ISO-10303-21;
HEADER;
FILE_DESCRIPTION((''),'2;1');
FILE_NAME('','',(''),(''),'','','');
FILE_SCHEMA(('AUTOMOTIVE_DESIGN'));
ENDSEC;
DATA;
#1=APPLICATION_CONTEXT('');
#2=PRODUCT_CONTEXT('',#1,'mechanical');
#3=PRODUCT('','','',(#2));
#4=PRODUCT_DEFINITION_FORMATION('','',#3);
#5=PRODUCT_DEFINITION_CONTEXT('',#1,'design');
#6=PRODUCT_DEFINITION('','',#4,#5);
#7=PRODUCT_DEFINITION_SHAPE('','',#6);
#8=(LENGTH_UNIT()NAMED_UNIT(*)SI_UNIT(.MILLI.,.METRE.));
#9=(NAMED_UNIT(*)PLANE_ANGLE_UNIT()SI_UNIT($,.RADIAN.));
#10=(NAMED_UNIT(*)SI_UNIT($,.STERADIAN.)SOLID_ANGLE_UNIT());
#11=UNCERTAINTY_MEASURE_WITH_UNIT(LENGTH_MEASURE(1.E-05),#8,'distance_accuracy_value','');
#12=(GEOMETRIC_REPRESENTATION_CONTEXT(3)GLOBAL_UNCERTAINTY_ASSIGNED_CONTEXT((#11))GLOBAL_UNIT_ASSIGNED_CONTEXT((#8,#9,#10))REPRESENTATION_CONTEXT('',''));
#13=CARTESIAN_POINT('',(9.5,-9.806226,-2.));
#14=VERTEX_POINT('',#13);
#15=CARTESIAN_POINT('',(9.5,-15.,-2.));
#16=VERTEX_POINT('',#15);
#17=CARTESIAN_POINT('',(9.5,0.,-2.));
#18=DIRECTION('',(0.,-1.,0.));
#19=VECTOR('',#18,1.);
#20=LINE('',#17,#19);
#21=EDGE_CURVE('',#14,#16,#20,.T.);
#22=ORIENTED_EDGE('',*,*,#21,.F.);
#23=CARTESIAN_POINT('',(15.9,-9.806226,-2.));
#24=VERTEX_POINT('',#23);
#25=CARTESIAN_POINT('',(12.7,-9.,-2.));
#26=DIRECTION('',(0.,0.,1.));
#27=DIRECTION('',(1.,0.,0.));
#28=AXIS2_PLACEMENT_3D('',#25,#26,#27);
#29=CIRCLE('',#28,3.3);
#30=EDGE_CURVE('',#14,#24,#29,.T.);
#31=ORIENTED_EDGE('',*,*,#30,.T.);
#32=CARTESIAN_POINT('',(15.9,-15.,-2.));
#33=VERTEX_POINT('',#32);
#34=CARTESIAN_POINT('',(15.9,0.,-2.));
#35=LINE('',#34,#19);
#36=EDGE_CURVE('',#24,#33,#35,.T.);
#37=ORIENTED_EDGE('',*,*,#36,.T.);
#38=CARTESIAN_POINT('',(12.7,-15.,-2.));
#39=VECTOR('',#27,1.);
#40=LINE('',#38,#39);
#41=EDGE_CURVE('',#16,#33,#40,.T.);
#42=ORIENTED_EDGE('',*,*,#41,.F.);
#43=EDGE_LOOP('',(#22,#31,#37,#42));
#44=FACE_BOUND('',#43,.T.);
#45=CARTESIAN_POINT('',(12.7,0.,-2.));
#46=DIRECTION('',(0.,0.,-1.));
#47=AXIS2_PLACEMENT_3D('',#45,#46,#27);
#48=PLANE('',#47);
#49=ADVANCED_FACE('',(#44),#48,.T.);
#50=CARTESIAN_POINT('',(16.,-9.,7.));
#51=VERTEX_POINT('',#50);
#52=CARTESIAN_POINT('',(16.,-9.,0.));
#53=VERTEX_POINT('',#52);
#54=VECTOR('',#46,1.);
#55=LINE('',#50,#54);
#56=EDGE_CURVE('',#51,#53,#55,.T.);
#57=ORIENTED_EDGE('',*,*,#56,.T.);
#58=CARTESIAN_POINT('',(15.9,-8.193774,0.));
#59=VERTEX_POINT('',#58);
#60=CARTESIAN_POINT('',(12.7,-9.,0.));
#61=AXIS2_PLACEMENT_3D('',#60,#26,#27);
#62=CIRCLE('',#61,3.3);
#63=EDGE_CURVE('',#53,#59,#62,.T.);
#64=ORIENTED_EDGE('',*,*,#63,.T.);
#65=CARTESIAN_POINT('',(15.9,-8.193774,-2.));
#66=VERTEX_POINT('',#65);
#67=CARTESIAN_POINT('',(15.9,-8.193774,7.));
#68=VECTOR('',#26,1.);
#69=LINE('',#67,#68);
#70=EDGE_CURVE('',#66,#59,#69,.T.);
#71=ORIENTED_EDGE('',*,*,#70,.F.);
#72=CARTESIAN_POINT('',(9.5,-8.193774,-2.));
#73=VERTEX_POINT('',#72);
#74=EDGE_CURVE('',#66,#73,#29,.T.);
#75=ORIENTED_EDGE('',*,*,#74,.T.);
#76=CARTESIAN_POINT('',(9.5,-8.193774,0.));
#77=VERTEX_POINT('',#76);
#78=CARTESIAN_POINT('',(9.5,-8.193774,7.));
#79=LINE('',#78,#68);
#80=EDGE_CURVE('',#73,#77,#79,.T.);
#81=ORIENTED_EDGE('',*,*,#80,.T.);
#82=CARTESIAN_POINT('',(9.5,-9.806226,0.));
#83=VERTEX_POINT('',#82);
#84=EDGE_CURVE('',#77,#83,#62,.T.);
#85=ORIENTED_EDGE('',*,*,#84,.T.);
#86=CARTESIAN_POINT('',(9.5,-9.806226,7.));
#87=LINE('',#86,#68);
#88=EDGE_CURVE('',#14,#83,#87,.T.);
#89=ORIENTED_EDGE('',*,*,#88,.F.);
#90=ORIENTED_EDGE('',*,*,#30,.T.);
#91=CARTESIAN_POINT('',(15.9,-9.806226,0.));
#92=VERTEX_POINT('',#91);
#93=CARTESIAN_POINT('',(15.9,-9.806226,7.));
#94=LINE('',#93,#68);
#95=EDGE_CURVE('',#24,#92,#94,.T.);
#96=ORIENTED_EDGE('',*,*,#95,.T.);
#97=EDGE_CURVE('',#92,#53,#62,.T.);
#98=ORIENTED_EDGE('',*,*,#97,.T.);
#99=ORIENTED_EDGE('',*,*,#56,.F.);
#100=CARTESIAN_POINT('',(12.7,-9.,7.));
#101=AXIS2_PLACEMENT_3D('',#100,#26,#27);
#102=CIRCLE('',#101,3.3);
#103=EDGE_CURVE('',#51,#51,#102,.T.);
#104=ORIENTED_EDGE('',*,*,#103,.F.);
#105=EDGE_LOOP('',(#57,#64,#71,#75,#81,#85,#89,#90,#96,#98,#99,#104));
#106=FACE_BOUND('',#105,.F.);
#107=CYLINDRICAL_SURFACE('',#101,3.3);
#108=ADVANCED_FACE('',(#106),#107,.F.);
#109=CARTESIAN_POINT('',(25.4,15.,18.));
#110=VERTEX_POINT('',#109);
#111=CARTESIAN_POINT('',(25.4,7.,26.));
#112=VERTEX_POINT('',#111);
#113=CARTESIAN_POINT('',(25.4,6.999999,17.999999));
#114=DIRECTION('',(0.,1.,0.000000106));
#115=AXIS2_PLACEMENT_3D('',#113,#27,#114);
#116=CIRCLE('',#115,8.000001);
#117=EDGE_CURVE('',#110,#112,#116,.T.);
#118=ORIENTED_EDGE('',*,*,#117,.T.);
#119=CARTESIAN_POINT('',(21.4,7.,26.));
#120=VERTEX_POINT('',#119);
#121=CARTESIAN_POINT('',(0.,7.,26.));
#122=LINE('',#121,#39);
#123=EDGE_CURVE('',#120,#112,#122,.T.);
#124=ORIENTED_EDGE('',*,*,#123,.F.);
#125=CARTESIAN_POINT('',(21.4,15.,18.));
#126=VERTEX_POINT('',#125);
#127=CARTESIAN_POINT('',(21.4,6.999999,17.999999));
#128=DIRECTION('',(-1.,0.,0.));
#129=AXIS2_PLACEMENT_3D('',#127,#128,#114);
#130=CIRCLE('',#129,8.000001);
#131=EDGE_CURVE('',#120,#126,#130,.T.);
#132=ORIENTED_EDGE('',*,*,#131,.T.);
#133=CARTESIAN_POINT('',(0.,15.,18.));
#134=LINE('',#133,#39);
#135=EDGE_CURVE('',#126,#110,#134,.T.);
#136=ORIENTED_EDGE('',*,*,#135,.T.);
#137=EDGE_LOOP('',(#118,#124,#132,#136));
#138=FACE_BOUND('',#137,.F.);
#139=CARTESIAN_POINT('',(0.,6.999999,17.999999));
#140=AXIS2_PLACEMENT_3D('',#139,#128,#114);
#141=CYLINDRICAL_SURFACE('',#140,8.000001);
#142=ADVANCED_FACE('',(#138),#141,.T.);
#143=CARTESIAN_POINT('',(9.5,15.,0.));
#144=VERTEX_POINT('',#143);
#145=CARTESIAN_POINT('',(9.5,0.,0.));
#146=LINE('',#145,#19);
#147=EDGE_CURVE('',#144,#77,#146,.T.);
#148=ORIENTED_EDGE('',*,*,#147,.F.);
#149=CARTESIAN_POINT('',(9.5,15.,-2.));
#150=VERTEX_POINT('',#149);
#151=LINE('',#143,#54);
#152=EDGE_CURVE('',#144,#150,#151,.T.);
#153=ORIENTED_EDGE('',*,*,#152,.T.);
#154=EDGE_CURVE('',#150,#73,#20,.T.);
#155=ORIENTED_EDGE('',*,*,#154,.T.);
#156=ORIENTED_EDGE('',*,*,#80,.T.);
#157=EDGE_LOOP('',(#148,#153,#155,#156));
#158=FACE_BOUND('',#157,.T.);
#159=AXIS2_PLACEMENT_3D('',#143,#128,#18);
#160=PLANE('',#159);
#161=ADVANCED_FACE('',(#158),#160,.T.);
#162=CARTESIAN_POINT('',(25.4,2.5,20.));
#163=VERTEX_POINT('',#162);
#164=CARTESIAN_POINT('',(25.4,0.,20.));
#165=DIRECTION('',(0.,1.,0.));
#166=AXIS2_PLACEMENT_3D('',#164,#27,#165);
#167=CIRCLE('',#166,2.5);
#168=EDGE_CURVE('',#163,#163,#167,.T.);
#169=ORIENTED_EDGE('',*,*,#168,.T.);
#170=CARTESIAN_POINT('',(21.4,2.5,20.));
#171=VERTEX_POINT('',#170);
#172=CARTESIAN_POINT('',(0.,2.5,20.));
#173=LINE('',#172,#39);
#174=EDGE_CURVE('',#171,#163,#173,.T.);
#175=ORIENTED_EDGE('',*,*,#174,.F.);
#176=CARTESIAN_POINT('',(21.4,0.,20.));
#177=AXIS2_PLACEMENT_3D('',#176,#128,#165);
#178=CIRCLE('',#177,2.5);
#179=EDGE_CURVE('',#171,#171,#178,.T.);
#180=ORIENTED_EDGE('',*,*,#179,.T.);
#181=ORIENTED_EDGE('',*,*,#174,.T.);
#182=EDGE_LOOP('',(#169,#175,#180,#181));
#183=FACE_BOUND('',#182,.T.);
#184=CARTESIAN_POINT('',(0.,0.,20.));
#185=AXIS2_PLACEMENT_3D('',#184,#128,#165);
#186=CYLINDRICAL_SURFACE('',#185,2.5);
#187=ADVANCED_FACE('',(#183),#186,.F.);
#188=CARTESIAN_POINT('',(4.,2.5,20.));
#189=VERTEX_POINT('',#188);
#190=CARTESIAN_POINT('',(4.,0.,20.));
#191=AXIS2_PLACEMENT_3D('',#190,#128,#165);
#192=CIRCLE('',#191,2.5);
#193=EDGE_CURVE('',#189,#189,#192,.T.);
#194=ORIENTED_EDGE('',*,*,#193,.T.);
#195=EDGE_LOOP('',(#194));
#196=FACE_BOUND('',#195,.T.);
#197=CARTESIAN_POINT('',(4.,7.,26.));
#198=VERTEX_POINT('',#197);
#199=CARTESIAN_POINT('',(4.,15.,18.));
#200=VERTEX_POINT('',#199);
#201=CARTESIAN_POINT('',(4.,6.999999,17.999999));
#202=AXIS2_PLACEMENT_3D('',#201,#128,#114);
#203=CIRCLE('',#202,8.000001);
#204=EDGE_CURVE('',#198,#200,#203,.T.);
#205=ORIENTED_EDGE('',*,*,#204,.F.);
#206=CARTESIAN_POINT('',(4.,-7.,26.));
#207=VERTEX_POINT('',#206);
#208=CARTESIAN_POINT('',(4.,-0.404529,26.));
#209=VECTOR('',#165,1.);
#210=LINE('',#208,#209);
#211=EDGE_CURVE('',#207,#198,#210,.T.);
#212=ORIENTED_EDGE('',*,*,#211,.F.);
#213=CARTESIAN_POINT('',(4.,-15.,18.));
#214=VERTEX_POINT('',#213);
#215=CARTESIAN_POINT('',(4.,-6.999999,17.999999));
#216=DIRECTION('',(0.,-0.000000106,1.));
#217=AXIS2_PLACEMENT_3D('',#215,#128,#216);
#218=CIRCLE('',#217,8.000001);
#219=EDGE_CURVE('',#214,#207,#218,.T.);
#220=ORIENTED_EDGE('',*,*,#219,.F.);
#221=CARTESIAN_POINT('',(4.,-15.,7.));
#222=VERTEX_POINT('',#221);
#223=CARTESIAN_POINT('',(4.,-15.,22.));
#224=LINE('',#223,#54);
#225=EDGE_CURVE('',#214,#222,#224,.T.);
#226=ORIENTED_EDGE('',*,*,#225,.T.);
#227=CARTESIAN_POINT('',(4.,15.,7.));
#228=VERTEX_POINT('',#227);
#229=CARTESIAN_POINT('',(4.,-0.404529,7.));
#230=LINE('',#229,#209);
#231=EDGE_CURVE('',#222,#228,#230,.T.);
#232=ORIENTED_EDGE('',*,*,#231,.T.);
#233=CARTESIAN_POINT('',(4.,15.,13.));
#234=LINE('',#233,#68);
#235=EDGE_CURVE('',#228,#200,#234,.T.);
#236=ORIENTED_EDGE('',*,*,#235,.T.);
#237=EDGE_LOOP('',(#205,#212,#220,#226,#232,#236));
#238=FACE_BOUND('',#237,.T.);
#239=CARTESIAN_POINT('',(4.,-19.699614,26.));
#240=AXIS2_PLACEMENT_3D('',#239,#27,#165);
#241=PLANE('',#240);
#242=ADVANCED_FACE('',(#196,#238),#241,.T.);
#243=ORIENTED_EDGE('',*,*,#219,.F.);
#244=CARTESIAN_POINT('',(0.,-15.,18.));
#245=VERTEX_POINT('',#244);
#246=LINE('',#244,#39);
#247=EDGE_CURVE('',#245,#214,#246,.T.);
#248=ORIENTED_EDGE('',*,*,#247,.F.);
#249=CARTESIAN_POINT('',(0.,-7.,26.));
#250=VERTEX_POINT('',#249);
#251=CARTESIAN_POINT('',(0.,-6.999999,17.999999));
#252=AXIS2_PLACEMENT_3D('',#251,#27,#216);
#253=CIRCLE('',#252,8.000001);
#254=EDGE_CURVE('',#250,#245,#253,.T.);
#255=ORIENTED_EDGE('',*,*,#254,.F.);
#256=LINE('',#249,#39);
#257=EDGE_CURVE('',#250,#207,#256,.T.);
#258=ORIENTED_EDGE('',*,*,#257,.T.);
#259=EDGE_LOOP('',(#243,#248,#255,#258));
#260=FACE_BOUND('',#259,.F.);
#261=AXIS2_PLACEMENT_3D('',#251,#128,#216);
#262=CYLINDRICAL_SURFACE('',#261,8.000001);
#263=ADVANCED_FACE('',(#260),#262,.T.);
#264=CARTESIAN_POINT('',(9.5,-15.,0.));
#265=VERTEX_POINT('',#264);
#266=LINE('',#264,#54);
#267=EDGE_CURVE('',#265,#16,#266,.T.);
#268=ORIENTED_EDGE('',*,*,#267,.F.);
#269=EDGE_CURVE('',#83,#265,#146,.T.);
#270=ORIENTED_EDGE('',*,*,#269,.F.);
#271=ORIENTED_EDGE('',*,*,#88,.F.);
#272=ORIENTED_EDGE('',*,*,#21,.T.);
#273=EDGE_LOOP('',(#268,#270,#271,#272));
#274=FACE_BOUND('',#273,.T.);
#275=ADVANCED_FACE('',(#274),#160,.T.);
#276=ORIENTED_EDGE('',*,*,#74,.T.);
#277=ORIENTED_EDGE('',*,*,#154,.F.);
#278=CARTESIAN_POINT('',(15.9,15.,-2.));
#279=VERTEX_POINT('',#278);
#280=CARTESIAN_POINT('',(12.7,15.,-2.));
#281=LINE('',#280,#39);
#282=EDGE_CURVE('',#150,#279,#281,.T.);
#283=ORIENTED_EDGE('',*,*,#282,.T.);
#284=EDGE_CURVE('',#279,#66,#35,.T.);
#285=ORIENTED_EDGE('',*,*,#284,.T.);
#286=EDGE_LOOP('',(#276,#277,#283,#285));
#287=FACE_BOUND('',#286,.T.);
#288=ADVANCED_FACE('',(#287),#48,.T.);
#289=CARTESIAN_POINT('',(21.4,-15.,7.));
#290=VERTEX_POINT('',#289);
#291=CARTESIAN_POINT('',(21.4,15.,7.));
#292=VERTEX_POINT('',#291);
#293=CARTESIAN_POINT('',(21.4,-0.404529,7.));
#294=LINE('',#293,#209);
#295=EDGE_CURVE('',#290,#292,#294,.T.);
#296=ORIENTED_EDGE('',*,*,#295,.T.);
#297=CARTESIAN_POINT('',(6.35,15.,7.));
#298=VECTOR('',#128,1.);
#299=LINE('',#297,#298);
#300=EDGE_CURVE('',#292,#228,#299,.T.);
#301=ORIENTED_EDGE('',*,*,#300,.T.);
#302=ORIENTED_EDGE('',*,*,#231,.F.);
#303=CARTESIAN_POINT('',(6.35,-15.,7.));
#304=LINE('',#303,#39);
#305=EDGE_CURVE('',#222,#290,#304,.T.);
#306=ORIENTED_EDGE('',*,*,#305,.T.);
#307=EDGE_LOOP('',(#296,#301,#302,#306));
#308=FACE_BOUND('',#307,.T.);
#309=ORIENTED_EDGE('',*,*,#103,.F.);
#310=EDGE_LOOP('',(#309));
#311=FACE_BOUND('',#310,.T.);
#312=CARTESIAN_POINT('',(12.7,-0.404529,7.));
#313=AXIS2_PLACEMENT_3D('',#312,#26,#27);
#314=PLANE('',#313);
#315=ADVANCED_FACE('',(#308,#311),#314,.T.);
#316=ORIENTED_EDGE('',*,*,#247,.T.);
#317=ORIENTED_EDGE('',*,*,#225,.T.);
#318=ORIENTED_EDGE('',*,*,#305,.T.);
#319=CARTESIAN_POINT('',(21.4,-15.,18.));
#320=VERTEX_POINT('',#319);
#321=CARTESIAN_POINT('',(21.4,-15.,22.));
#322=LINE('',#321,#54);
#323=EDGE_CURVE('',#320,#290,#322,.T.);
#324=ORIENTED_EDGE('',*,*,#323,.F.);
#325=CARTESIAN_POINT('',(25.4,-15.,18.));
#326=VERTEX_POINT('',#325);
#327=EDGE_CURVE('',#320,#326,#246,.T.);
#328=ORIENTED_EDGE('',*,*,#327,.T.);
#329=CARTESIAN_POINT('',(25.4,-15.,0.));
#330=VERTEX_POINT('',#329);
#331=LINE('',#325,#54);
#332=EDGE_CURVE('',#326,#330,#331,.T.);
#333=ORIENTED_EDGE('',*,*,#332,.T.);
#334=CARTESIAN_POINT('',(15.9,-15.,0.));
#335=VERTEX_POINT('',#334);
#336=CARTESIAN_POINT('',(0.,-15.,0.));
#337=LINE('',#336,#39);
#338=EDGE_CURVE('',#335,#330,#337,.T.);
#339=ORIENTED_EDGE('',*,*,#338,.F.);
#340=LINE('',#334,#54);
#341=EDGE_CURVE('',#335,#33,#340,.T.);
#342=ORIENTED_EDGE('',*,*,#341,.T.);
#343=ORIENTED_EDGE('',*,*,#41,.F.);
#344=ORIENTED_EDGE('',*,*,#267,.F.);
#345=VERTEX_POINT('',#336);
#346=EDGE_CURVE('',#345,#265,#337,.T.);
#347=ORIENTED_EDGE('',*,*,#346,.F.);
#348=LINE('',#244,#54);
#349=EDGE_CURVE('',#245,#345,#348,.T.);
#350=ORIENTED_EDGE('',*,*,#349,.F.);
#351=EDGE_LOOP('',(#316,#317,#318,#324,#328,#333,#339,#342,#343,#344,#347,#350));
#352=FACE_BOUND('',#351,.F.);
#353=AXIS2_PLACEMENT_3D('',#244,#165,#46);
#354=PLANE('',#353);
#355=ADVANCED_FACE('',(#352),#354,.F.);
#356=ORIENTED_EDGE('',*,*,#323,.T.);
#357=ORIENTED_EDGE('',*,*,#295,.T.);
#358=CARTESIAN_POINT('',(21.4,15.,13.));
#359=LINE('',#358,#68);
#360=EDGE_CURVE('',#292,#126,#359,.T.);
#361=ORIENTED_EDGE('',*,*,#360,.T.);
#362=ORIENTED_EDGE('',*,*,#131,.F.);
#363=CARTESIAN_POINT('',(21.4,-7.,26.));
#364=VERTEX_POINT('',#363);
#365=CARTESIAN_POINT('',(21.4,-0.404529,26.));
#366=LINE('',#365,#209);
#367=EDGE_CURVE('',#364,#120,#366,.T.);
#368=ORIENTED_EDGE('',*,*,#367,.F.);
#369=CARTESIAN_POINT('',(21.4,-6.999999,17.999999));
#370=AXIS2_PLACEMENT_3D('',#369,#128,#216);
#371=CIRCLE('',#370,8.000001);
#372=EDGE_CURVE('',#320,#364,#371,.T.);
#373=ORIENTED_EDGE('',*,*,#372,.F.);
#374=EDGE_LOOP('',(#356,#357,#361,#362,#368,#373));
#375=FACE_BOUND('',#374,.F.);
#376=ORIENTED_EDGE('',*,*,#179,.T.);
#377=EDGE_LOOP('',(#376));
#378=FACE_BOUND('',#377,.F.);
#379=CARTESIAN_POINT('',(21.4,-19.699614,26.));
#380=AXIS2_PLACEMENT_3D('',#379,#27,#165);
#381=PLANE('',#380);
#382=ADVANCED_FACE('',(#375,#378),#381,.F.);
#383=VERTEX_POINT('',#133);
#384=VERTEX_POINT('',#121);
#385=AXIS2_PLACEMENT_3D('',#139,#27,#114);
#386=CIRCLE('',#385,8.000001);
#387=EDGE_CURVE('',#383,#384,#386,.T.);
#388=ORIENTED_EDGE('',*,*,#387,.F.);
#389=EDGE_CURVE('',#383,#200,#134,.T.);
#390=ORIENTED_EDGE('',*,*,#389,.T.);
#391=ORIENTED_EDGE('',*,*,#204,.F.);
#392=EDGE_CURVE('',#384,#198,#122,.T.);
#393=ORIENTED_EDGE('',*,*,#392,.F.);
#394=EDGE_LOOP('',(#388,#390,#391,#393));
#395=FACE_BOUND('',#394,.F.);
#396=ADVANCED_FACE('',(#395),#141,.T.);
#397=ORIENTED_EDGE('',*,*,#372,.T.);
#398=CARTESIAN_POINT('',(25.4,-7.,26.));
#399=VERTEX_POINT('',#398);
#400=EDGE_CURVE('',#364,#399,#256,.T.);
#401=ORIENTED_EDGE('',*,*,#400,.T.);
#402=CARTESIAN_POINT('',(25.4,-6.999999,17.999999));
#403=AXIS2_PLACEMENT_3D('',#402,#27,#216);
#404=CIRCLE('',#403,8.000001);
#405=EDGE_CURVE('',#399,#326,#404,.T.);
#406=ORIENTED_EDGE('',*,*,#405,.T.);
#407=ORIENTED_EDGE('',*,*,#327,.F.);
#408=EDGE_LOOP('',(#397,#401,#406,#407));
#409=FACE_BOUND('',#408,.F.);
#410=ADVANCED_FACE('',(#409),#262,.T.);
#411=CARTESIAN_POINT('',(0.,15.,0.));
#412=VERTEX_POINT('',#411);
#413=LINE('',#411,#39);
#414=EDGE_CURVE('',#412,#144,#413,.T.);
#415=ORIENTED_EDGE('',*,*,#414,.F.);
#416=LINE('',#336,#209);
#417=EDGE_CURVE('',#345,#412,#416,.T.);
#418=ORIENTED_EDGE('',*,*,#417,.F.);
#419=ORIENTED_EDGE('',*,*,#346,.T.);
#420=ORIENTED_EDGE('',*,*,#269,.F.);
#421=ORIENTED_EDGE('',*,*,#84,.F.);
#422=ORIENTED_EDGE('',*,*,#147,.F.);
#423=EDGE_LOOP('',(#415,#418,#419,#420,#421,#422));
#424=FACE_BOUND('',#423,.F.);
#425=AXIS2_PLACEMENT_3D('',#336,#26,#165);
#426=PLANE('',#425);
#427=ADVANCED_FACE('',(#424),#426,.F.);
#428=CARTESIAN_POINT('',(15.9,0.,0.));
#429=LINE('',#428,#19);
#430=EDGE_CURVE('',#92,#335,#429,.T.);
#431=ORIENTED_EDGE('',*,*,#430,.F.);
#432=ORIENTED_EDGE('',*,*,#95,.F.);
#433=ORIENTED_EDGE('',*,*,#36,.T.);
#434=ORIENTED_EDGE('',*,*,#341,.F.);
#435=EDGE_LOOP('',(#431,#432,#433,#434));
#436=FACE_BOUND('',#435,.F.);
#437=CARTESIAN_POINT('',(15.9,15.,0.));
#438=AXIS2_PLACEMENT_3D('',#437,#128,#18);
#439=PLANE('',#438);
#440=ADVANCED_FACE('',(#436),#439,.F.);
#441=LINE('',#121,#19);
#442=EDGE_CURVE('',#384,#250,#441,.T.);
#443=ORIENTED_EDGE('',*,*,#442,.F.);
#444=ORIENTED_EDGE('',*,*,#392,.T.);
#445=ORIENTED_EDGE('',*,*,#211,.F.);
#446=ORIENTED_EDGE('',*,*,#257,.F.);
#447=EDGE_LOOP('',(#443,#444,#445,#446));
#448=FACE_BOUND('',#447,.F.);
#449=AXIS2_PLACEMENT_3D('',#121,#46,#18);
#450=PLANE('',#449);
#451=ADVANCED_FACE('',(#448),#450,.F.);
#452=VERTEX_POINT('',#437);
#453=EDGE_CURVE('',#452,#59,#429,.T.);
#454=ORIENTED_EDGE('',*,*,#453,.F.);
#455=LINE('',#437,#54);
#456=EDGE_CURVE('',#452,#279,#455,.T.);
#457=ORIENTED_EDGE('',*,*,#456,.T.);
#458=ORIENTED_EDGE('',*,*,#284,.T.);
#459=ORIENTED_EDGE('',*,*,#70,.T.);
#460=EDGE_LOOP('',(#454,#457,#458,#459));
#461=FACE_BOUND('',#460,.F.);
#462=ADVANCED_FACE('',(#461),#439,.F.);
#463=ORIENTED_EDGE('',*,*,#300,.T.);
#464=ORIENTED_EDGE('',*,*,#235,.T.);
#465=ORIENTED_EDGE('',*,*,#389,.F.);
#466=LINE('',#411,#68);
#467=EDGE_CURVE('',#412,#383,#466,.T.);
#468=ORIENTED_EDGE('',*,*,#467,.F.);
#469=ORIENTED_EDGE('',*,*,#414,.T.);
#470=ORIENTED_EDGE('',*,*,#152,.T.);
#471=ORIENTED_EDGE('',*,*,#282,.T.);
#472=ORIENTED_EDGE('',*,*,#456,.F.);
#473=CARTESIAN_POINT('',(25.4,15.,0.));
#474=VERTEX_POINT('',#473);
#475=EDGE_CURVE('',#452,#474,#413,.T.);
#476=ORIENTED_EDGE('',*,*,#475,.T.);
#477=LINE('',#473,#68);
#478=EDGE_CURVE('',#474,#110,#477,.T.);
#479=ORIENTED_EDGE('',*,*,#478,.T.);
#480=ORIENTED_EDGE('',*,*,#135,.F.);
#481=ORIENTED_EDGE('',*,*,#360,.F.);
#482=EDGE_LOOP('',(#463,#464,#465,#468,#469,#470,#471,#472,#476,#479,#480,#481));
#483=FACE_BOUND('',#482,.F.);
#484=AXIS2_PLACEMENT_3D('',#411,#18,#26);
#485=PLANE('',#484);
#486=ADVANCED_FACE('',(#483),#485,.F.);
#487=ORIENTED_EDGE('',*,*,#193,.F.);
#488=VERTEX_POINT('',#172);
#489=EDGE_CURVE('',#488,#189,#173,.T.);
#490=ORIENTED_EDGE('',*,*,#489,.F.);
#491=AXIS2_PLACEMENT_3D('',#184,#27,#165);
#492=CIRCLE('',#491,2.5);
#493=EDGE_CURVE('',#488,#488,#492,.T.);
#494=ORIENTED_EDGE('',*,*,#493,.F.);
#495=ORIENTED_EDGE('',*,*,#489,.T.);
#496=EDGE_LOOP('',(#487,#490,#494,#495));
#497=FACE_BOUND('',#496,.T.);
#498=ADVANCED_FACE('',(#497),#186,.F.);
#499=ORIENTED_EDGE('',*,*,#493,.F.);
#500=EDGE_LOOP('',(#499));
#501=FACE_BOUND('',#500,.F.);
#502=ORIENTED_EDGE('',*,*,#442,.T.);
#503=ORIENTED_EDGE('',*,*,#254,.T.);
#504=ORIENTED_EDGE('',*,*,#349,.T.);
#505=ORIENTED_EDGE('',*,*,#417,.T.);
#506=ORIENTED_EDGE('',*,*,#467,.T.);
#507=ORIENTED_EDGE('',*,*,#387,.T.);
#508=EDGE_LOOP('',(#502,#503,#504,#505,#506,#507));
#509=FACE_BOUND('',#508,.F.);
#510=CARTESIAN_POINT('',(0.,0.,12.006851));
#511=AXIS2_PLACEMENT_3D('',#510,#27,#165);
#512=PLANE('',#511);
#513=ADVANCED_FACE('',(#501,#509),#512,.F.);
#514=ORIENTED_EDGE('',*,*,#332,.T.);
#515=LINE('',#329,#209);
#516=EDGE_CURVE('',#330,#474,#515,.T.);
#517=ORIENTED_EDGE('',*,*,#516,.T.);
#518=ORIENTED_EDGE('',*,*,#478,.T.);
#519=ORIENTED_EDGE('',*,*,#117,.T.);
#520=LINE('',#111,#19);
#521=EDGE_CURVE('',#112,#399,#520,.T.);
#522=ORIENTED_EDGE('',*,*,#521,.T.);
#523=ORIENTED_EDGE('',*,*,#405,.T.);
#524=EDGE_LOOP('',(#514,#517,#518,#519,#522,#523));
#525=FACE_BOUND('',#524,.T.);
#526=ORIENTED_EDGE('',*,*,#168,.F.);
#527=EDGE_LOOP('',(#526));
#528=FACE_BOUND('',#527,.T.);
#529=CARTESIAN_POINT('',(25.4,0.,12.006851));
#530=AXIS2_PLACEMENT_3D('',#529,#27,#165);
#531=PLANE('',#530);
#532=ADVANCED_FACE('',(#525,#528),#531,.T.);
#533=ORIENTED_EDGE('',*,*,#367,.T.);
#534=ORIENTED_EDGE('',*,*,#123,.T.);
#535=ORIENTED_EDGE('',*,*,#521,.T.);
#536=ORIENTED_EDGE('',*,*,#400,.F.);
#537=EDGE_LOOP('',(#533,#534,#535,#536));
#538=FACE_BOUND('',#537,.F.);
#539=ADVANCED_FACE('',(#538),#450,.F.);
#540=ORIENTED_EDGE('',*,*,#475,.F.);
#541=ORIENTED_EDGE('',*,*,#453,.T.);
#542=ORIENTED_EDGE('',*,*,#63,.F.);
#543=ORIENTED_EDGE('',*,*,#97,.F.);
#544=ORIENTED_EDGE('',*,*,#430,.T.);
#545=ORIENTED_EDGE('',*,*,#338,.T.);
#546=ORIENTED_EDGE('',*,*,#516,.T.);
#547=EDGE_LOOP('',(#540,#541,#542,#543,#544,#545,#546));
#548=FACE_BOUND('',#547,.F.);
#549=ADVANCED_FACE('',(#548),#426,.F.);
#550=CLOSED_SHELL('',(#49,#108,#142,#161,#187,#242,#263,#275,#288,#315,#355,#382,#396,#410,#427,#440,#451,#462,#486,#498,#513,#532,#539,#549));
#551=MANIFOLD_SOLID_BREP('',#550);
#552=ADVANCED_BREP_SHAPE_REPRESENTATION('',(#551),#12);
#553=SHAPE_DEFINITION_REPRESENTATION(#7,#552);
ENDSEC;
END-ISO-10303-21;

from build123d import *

# Parameters (mm, degrees)
F0_R     = 2.5
F1_DEPTH = 25.4
F2_W     = 17.4
F2_H     = 38.590171
F3_DEPTH = 19
F4_W     = 6.4
F4_H     = 30
F5_DEPTH = 2
F6_R     = 3.3
F7_DEPTH = 10


with BuildPart() as f1:
    # F0 (on Right) → F1 (new body)
    with BuildSketch(Plane.YZ):
        with BuildLine():
            Line((7, 26), (-7, 26))
            ThreePointArc((-7, 26), (-12.656854, 23.656854), (-15, 18))
            Line((-15, 18), (-15, 0))
            Line((-15, 0), (15, 0))
            Line((15, 0), (15, 18))
            ThreePointArc((15, 18), (12.656854, 23.656854), (7, 26))
        make_face()
        with Locations((0, 20)):
            Circle(F0_R, mode=Mode.SUBTRACT)
    extrude(amount=F1_DEPTH)

    # F2 (on face) → F3 (cut)
    with BuildSketch(Plane.XY.offset(26)):
        with Locations((12.7, -0.404529)):
            Rectangle(F2_W, F2_H)
    extrude(amount=-F3_DEPTH, mode=Mode.SUBTRACT)

    # F4 (on face) → F5 (join)
    with BuildSketch(Plane(origin=(0, 0, 0), x_dir=(1, 0, 0), z_dir=(0, 0, -1))):
        with Locations((12.7, 0)):
            Rectangle(F4_W, F4_H)
    extrude(amount=F5_DEPTH)

    # F6 (on face) → F7 (cut)
    with BuildSketch(Plane.XY.offset(7)):
        with Locations((12.7, -9)):
            Circle(F6_R)
    extrude(amount=-F7_DEPTH, mode=Mode.SUBTRACT)


solid = f1.part
